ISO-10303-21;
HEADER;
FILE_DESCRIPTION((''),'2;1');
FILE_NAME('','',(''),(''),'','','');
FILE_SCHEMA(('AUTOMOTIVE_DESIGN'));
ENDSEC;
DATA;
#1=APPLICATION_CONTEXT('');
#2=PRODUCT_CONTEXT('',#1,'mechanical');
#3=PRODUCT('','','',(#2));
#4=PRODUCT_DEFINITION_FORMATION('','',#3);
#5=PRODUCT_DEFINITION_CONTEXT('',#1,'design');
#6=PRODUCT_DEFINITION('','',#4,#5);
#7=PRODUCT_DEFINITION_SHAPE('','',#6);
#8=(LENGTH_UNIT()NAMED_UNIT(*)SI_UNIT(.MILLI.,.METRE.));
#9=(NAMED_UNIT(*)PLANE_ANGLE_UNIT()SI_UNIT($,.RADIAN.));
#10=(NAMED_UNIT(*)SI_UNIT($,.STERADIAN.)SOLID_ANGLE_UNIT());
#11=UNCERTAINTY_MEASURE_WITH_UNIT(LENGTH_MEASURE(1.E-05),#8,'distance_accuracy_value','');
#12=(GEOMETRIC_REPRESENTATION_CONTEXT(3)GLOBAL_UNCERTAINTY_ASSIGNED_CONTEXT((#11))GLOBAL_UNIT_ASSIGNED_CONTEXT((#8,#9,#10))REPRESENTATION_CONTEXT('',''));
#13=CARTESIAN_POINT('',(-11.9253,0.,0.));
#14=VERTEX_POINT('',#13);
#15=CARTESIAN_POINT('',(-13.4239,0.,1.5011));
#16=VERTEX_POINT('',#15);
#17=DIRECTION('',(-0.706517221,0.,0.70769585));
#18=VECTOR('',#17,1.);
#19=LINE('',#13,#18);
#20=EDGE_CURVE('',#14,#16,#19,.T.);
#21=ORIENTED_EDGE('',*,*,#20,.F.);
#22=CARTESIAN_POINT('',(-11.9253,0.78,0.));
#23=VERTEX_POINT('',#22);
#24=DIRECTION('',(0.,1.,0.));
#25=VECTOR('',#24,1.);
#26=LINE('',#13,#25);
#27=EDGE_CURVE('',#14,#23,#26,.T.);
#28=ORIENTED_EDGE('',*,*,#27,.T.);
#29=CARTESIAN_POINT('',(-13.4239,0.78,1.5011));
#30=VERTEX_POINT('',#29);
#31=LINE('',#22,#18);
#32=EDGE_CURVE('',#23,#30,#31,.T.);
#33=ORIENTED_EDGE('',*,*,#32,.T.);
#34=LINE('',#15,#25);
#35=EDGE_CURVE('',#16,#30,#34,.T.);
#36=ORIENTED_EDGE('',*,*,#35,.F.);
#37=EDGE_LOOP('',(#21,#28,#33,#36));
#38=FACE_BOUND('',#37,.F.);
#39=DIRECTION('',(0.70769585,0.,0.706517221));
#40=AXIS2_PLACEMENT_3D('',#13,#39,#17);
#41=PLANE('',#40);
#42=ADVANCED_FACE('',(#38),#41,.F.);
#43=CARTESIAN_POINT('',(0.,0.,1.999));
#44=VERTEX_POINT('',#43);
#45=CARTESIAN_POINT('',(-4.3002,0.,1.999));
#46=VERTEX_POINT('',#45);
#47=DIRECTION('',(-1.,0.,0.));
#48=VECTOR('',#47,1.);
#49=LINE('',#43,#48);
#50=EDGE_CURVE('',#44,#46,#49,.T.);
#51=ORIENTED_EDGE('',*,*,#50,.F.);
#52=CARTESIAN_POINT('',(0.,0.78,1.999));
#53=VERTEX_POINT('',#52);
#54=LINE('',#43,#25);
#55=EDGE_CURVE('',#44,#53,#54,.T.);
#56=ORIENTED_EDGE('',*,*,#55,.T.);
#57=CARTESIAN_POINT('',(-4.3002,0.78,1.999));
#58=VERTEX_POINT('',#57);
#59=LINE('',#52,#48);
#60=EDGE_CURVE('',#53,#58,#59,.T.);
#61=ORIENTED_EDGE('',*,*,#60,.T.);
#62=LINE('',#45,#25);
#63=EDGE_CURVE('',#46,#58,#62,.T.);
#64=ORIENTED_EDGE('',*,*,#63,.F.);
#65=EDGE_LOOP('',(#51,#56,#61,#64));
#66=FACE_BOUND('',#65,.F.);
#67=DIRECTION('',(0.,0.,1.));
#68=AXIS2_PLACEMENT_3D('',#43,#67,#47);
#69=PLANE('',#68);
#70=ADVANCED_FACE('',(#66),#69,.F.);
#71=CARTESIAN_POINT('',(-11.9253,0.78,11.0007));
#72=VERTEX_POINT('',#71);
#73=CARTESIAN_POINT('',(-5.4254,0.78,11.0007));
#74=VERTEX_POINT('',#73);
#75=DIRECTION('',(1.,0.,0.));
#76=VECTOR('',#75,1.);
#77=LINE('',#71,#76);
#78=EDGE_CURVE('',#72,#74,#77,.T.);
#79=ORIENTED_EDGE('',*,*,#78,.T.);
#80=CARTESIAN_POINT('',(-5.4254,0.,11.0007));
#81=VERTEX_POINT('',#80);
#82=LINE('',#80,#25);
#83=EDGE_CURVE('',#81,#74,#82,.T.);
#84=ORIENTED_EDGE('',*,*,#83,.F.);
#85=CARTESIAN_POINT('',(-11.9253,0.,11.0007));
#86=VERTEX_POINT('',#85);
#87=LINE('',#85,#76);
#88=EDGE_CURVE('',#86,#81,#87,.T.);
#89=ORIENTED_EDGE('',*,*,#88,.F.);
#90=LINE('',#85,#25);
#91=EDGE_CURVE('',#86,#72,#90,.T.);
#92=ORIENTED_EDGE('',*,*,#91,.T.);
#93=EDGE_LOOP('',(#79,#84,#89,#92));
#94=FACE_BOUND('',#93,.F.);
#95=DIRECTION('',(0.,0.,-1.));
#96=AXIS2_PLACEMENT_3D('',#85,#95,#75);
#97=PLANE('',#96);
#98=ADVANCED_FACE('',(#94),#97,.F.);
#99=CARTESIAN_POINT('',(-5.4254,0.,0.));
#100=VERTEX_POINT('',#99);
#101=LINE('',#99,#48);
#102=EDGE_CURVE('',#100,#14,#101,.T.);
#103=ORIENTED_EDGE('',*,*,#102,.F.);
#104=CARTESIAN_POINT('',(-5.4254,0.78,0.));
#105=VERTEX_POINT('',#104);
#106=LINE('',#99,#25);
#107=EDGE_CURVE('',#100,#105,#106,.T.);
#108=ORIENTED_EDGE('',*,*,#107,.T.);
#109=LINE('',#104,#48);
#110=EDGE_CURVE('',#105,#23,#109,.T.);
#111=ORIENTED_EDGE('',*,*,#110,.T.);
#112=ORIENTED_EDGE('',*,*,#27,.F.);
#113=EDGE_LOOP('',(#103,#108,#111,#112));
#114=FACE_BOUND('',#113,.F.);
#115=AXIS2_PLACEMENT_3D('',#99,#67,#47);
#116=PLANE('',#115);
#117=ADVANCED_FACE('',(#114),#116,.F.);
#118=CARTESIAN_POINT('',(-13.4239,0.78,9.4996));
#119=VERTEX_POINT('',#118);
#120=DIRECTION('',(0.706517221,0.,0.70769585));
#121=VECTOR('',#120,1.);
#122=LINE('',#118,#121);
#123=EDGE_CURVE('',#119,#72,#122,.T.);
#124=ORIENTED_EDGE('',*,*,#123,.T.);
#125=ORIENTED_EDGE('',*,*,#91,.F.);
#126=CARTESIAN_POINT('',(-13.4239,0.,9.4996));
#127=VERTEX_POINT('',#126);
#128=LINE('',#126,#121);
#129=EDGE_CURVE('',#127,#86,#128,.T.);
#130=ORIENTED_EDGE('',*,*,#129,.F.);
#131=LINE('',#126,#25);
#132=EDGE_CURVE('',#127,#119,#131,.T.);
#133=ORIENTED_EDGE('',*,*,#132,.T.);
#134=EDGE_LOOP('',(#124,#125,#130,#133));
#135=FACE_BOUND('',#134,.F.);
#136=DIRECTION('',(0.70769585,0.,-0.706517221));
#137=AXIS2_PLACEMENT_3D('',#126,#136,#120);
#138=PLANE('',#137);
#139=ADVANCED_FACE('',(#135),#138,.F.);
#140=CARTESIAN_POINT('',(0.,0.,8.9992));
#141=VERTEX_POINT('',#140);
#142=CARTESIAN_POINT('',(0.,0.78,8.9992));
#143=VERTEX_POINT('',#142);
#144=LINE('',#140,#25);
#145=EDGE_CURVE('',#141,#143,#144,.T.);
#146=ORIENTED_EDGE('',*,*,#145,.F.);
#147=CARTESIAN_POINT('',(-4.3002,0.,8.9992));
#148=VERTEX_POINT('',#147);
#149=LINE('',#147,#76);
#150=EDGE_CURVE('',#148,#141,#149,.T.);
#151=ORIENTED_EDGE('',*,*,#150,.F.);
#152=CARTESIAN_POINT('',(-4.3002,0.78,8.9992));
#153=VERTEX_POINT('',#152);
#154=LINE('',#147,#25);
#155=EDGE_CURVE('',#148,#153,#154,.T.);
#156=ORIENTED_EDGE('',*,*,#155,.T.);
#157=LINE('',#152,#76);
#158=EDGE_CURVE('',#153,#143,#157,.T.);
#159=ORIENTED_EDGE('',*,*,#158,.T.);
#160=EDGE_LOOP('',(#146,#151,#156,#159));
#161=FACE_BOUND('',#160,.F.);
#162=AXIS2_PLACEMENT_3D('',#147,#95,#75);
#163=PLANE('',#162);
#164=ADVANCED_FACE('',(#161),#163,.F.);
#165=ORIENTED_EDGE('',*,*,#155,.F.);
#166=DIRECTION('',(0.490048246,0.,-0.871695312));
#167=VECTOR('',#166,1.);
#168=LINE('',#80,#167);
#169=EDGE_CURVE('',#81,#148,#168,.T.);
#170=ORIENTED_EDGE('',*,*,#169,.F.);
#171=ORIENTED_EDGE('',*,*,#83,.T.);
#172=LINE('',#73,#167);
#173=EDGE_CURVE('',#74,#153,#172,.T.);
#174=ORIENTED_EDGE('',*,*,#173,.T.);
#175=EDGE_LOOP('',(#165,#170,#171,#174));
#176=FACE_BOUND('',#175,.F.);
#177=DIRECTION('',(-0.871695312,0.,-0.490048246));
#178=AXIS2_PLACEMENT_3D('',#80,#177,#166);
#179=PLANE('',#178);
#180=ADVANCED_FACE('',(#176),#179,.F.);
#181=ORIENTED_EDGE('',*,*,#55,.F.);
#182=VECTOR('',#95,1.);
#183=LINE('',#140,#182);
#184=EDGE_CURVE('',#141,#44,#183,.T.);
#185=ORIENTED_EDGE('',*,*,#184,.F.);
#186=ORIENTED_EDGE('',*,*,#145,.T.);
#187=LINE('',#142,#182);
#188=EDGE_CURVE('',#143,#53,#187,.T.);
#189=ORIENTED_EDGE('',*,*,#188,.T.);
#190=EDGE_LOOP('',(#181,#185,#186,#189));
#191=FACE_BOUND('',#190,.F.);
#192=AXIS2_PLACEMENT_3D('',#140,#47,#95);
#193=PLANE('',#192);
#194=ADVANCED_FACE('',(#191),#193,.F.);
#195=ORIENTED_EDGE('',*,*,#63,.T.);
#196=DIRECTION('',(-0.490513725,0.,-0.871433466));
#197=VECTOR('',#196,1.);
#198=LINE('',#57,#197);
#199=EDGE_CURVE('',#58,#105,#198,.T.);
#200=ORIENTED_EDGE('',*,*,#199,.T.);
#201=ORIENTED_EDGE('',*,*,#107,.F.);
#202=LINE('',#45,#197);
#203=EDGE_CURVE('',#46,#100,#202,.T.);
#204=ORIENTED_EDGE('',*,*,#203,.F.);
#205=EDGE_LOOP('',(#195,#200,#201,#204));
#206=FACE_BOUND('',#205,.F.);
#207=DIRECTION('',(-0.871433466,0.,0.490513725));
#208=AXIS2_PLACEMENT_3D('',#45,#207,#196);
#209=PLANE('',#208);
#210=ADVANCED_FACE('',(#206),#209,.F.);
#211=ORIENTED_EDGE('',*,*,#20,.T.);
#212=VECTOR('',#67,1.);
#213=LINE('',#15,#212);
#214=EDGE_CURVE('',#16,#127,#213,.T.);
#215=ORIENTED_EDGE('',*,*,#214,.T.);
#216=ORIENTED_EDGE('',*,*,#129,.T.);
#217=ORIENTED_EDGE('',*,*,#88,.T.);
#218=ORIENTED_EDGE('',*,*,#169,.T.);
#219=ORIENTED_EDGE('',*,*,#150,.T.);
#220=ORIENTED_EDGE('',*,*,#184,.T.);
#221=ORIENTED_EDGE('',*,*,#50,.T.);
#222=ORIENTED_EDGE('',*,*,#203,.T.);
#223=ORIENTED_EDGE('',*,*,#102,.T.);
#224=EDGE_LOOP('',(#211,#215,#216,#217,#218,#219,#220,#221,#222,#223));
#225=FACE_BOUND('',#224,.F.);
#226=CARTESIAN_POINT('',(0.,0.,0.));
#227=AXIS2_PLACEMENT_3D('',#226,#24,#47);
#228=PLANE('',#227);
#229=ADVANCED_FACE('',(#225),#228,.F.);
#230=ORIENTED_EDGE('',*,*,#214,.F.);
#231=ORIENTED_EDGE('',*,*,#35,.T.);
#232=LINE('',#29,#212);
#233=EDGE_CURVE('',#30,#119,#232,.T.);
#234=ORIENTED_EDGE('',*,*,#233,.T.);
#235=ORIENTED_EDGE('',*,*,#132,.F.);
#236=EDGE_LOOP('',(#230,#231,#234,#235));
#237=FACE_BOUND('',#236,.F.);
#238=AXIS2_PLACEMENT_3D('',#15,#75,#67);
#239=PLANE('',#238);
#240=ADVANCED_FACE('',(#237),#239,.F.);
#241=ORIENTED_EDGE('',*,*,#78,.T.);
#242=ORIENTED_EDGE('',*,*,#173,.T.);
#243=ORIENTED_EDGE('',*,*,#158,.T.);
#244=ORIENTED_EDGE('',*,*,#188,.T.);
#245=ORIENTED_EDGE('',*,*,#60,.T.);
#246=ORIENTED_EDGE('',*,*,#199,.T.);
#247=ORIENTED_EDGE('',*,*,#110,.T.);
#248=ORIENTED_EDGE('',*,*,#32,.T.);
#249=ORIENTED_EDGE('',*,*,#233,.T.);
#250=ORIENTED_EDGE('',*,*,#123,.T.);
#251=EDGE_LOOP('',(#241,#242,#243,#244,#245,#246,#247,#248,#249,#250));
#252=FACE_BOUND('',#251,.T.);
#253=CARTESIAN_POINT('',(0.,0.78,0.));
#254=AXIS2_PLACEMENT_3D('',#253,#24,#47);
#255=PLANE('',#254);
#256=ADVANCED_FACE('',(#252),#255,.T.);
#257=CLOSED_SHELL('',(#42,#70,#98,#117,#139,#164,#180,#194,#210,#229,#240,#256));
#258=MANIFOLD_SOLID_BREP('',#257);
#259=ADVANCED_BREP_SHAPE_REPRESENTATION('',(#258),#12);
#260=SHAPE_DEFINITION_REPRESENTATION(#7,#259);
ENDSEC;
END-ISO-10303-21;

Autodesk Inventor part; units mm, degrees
ref_plane "YZ Plane" through (0, 0, 0) normal (1, 0, 0) x (0, 1, 0)
ref_plane "XZ Plane" through (0, 0, 0) normal (0, 1, 0) x (-1, 0, 0)
ref_plane "XY Plane" through (0, 0, 0) normal (0, 0, 1) x (1, 0, 0)
sketch "Sketch1" plane through (0, 0, 0) normal (0, 1, 0) x (-1, 0, 0)
  line L0 (4.3002, 1.999) -> (5.4254, 0)
  line L1 (5.4254, 0) -> (11.9253, 0)
  line L2 (11.9253, 0) -> (13.4239, 1.5011)
  line L3 (13.4239, 1.5011) -> (13.4239, 9.4996)
  line L4 (13.4239, 9.4996) -> (11.9253, 11.0007)
  line L5 (11.9253, 11.0007) -> (5.4254, 11.0007)
  line L6 (5.4254, 11.0007) -> (4.3002, 8.9992)
  line L7 (4.3002, 8.9992) -> (0, 8.9992)
  line L8 (0, 8.9992) -> (0, 1.999)
  line L9 (0, 1.999) -> (4.3002, 1.999)
  line L10 (0, 8.9992) -> (4.3002, 8.9992)
  line L11 (4.3002, 8.9992) -> (5.4254, 11.0007)
  line L12 (5.4254, 11.0007) -> (11.9253, 11.0007)
  line L13 (11.9253, 11.0007) -> (13.4239, 9.4996)
  line L14 (13.4239, 9.4996) -> (13.4239, 1.5011)
  line L15 (13.4239, 1.5011) -> (11.9253, 0)
  line L16 (11.9253, 0) -> (5.4254, 0)
  line L17 (5.4254, 0) -> (4.3002, 1.999)
  line L18 (4.3002, 1.999) -> (0, 1.999)
  line L19 (0, 1.999) -> (0, 8.9992)
  point P0 (0, 0)
extrude "Extrusion1" add sketch "Sketch1" along normal blind 0.78
ref_plane "Work Plane1" through (-11.9253, 0, 5.5004) normal (0, 0, 1) x (1, 0, 0)
properties part number "32ch_ACF2TDT_board_3p0"
